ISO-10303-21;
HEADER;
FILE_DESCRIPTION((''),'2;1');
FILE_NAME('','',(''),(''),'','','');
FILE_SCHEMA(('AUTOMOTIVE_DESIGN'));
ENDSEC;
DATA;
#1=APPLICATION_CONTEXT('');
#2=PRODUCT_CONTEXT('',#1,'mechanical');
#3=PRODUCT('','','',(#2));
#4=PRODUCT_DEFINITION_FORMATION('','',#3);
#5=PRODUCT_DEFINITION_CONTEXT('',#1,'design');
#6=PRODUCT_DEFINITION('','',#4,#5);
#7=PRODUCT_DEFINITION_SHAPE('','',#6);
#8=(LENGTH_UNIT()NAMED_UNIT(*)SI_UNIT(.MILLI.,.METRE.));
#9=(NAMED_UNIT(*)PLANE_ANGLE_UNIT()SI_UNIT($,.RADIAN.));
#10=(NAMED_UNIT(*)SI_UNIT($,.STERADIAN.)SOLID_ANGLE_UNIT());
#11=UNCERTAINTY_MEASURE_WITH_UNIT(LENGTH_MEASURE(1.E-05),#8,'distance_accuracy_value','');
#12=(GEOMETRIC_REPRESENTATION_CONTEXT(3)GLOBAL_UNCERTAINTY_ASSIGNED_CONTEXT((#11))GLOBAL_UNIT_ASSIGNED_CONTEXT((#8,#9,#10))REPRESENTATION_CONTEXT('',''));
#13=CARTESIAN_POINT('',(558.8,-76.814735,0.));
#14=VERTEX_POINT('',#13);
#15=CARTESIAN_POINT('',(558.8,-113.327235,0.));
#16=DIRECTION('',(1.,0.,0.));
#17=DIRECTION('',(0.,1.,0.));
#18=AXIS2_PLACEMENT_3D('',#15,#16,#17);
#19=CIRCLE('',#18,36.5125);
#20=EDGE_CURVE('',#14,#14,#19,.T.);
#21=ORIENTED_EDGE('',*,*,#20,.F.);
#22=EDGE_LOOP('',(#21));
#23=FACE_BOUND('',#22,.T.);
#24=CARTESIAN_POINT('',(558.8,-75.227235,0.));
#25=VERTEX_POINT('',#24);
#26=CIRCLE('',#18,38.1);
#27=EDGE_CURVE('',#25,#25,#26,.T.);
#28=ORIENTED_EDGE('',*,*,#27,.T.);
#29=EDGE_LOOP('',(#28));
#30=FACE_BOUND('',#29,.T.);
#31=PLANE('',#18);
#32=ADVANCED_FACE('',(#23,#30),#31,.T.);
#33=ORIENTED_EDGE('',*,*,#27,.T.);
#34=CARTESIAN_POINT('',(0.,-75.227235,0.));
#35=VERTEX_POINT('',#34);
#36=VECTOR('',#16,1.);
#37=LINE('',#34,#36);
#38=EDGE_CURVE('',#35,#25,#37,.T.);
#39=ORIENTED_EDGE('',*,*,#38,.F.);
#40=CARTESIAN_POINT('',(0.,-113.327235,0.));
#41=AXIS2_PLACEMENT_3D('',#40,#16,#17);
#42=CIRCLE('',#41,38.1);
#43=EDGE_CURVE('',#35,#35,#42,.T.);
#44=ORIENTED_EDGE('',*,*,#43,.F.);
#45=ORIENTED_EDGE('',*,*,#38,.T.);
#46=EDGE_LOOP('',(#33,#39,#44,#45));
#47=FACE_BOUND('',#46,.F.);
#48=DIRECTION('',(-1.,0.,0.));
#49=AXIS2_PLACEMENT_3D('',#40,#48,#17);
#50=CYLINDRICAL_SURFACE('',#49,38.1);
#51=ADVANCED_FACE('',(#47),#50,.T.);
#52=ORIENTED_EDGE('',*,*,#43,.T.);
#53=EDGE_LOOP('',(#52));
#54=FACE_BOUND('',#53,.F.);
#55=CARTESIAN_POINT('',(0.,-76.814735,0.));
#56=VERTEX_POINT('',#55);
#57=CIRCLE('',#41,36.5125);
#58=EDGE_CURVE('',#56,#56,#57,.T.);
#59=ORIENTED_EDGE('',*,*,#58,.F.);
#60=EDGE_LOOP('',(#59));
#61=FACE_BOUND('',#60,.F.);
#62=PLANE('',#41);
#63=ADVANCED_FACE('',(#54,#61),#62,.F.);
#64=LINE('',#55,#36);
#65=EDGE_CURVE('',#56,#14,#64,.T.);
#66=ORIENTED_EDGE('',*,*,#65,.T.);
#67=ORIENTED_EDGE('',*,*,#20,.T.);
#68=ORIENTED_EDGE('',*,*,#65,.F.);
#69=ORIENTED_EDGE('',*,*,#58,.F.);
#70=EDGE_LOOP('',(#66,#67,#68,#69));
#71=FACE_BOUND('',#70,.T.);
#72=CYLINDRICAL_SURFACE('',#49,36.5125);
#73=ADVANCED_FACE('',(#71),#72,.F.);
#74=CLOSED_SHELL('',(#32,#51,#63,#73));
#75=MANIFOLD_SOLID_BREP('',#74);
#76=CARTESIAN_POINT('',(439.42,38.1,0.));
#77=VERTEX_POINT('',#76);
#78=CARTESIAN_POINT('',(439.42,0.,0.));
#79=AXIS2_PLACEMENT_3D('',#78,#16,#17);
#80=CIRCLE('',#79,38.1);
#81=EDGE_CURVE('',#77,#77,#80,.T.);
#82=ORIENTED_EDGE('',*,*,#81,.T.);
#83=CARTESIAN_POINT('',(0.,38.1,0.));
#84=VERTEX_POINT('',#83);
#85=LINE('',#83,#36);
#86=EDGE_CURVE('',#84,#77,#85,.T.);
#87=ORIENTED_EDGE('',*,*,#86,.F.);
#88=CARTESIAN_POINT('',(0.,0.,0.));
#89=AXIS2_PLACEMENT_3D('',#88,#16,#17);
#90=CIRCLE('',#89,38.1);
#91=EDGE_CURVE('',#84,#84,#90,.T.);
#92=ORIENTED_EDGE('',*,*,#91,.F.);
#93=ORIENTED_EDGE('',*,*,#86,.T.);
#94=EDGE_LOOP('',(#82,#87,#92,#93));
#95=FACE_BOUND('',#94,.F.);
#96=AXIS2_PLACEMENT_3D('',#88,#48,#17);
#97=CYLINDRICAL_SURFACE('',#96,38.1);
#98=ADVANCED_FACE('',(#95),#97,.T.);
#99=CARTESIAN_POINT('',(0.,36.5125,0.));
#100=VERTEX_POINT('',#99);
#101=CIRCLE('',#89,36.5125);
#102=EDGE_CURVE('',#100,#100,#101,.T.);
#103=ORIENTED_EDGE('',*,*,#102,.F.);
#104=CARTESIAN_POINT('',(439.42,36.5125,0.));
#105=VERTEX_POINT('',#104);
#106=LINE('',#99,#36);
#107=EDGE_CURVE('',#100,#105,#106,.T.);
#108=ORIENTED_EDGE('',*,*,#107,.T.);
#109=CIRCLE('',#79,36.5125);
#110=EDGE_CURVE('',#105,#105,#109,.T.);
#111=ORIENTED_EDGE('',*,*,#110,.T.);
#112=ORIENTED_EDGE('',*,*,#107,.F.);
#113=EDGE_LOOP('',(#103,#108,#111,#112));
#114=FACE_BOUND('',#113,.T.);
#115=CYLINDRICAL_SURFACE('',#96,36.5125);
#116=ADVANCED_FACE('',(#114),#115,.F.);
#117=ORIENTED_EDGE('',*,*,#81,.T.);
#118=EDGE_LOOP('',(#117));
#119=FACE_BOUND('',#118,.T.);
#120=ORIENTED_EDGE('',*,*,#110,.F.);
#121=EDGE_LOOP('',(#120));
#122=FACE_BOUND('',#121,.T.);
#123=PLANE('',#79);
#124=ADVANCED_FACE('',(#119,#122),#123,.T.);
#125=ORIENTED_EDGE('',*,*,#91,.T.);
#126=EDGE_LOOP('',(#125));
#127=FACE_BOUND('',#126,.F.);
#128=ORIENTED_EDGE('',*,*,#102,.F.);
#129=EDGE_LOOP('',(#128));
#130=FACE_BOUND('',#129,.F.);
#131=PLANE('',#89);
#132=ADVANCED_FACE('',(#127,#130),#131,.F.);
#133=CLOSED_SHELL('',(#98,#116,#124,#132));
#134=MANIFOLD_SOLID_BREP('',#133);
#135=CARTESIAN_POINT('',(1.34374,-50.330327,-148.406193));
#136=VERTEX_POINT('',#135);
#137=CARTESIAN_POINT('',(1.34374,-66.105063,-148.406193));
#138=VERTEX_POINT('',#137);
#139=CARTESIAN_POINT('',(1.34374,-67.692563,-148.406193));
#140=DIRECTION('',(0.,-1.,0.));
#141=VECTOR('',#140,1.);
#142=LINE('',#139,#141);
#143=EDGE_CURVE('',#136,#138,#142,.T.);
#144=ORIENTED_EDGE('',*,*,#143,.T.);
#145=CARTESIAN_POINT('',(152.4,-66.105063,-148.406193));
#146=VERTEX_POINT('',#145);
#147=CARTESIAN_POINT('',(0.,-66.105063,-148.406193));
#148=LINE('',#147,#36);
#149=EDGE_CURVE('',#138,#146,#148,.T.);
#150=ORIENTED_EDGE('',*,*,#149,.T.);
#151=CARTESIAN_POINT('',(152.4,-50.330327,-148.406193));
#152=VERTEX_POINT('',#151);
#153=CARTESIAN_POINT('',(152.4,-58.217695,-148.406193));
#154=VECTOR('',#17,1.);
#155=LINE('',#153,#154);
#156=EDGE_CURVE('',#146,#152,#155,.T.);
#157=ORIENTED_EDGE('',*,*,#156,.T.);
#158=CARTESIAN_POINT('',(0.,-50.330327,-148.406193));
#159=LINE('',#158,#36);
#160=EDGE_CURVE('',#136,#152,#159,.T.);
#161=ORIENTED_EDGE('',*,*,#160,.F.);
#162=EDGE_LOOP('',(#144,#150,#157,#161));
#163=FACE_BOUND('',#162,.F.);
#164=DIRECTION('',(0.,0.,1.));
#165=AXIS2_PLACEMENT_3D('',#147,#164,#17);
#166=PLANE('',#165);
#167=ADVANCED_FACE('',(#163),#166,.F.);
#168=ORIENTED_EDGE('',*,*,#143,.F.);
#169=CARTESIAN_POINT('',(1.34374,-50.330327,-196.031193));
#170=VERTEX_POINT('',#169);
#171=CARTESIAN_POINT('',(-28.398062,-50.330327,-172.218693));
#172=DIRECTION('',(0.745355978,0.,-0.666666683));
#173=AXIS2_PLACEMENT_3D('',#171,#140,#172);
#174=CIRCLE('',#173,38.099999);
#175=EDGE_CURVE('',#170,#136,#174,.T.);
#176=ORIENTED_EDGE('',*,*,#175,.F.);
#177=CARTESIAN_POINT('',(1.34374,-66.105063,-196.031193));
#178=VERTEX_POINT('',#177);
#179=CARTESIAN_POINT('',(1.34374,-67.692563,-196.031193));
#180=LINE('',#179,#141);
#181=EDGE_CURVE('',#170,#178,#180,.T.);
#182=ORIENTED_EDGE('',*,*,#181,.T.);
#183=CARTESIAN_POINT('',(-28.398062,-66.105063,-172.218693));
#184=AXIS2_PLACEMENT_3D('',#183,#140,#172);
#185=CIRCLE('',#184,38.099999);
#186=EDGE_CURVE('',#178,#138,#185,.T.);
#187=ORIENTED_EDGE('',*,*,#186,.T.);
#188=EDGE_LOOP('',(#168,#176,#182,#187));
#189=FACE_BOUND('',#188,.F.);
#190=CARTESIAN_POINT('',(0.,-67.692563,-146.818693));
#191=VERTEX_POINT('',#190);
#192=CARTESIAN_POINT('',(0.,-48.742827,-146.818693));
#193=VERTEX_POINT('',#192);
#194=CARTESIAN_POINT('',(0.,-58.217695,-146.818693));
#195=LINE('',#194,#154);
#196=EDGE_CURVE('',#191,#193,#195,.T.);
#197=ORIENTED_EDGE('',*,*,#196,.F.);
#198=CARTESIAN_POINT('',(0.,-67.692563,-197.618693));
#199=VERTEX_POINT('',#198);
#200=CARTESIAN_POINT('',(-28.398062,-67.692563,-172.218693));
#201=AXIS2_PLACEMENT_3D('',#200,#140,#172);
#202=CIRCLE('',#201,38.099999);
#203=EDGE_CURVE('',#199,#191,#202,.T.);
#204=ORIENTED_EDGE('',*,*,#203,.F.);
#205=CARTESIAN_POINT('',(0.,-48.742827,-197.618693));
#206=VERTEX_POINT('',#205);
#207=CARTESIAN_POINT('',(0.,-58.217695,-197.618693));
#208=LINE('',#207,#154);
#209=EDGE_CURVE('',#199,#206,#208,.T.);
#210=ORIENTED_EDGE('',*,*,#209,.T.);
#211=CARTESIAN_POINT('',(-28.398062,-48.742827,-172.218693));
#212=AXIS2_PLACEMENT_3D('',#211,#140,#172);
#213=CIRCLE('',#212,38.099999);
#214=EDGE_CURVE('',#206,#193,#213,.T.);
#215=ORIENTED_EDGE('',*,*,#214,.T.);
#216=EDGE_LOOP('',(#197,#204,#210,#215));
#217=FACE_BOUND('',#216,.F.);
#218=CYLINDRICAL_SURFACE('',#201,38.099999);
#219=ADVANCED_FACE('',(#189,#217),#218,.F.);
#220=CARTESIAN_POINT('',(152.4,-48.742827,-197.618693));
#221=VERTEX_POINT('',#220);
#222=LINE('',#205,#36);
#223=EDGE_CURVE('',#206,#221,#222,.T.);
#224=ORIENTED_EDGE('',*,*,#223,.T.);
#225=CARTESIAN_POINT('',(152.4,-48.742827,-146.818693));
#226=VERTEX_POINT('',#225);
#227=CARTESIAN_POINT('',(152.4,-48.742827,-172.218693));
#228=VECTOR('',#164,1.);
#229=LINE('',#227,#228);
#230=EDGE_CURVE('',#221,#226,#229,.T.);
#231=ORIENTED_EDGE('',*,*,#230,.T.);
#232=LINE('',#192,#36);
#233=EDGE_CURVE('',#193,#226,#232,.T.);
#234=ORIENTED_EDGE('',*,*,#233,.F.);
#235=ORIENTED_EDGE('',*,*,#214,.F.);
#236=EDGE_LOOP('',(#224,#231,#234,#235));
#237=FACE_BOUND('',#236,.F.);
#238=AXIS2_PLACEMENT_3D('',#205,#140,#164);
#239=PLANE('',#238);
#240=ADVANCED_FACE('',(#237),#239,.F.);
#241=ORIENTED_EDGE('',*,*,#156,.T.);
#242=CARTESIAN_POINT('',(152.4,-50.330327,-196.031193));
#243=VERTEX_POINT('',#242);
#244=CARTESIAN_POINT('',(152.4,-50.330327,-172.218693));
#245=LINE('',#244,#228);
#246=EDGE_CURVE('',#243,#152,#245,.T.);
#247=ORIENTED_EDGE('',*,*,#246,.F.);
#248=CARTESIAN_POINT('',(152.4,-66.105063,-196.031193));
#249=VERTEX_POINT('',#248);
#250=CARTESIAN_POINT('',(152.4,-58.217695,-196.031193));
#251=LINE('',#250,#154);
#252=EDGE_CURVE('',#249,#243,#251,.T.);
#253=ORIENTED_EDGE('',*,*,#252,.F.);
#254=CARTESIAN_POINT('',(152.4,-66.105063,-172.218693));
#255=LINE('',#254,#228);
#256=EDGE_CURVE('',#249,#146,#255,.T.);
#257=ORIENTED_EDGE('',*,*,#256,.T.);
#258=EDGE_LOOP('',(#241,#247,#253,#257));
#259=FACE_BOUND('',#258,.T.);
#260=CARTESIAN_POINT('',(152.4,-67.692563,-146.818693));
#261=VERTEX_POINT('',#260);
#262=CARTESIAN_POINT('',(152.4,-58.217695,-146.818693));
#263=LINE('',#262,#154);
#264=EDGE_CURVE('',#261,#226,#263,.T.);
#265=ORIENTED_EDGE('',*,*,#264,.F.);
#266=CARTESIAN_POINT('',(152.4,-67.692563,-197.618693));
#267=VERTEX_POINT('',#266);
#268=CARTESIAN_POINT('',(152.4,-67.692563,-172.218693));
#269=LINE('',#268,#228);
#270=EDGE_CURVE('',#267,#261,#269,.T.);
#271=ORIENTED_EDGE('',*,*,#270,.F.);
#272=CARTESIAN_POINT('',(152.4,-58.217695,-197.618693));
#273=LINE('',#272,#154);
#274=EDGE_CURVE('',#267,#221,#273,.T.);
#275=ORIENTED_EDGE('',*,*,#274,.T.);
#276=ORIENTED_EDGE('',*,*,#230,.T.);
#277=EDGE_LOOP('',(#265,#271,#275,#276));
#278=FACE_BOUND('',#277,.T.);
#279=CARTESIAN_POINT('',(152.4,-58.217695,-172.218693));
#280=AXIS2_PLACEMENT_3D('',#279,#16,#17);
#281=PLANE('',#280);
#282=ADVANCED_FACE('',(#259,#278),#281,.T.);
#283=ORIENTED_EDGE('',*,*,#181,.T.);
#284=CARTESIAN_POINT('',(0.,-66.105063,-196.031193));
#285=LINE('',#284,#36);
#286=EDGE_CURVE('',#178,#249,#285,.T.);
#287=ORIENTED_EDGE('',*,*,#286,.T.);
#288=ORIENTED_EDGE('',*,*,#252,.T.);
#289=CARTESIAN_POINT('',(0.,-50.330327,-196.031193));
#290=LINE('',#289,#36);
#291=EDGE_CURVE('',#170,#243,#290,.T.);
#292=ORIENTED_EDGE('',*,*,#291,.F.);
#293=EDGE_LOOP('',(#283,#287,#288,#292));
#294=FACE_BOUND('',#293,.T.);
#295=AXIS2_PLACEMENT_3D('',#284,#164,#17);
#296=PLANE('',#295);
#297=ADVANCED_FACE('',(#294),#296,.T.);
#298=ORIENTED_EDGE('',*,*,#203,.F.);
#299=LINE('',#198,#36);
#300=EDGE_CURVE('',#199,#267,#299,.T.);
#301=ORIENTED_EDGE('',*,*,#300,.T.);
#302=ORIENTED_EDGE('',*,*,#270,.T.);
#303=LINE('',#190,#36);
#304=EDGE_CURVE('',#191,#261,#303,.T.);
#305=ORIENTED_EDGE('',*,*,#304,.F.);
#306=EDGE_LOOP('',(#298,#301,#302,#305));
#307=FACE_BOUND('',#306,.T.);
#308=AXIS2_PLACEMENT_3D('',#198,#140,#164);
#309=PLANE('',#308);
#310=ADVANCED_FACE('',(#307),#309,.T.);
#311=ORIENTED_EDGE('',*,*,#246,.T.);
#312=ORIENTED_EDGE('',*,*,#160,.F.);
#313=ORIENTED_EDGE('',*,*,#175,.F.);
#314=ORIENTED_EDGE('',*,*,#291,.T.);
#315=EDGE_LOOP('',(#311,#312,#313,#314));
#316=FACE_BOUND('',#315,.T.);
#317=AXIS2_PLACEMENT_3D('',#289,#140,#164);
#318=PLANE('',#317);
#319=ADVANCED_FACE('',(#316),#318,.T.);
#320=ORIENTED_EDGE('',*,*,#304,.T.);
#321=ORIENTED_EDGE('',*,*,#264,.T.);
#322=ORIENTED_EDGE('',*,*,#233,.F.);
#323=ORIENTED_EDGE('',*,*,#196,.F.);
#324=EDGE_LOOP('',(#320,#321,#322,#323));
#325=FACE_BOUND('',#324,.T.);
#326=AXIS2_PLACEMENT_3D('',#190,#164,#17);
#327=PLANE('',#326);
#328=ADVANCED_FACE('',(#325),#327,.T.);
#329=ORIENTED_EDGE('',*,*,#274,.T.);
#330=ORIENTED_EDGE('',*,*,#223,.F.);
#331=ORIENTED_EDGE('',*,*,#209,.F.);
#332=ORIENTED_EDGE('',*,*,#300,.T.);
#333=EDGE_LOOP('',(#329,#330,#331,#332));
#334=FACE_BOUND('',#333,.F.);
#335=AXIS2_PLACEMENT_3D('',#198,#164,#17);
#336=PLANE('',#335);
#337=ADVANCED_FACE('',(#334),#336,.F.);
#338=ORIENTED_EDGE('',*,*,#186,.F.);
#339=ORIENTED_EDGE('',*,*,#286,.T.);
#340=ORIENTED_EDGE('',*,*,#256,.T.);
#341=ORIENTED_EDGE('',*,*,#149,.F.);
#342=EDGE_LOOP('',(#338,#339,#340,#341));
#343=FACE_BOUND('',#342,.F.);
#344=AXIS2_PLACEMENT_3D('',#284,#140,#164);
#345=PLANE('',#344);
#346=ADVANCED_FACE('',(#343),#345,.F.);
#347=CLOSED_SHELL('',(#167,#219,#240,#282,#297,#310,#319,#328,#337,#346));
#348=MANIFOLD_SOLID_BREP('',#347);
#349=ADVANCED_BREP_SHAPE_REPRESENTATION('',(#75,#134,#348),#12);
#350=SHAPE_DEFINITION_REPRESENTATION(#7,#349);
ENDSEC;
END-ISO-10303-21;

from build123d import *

# Parameters (mm, degrees)
F0_R     = 38.1
F0_R_2   = 36.5125
F1_DEPTH = 439.42
F2_R     = 38.1
F2_R_2   = 36.5125
F3_DEPTH = 558.8
F4_W     = 18.949736
F4_H     = 50.8
F4_W_2   = 15.774736
F4_H_2   = 47.625
F5_DEPTH = 152.4
F7_DEPTH = 50.8


with BuildPart() as f1:
    # F0 (on Right) → F1 (new body)
    with BuildSketch(Plane.YZ):
        Circle(F0_R)
        Circle(F0_R_2, mode=Mode.SUBTRACT)
    extrude(amount=F1_DEPTH)


with BuildPart() as f3:
    # F2 (on Right) → F3 (new body)
    with BuildSketch(Plane.YZ):
        with Locations((-113.327235, 0)):
            Circle(F2_R)
        with Locations((-113.327235, 0)):
            Circle(F2_R_2, mode=Mode.SUBTRACT)
    extrude(amount=F3_DEPTH)


with BuildPart() as f5:
    # F4 (on Right) → F5 (new body)
    with BuildSketch(Plane.YZ):
        with Locations((-58.217695, -172.218693)):
            Rectangle(F4_W, F4_H)
        with Locations((-58.217695, -172.218693)):
            Rectangle(F4_W_2, F4_H_2, mode=Mode.SUBTRACT)
    extrude(amount=F5_DEPTH)

    # F6 (on face) → F7 (cut)
    with BuildSketch(Plane.XZ.offset(67.692563)):
        with BuildLine():
            Line((0, -146.818693), (0, -197.618693))
            ThreePointArc((0, -197.618693), (9.701937, -172.218693), (0, -146.818693))
        make_face()
    extrude(amount=-F7_DEPTH, mode=Mode.SUBTRACT)


solid = Compound([f1.part, f3.part, f5.part])
